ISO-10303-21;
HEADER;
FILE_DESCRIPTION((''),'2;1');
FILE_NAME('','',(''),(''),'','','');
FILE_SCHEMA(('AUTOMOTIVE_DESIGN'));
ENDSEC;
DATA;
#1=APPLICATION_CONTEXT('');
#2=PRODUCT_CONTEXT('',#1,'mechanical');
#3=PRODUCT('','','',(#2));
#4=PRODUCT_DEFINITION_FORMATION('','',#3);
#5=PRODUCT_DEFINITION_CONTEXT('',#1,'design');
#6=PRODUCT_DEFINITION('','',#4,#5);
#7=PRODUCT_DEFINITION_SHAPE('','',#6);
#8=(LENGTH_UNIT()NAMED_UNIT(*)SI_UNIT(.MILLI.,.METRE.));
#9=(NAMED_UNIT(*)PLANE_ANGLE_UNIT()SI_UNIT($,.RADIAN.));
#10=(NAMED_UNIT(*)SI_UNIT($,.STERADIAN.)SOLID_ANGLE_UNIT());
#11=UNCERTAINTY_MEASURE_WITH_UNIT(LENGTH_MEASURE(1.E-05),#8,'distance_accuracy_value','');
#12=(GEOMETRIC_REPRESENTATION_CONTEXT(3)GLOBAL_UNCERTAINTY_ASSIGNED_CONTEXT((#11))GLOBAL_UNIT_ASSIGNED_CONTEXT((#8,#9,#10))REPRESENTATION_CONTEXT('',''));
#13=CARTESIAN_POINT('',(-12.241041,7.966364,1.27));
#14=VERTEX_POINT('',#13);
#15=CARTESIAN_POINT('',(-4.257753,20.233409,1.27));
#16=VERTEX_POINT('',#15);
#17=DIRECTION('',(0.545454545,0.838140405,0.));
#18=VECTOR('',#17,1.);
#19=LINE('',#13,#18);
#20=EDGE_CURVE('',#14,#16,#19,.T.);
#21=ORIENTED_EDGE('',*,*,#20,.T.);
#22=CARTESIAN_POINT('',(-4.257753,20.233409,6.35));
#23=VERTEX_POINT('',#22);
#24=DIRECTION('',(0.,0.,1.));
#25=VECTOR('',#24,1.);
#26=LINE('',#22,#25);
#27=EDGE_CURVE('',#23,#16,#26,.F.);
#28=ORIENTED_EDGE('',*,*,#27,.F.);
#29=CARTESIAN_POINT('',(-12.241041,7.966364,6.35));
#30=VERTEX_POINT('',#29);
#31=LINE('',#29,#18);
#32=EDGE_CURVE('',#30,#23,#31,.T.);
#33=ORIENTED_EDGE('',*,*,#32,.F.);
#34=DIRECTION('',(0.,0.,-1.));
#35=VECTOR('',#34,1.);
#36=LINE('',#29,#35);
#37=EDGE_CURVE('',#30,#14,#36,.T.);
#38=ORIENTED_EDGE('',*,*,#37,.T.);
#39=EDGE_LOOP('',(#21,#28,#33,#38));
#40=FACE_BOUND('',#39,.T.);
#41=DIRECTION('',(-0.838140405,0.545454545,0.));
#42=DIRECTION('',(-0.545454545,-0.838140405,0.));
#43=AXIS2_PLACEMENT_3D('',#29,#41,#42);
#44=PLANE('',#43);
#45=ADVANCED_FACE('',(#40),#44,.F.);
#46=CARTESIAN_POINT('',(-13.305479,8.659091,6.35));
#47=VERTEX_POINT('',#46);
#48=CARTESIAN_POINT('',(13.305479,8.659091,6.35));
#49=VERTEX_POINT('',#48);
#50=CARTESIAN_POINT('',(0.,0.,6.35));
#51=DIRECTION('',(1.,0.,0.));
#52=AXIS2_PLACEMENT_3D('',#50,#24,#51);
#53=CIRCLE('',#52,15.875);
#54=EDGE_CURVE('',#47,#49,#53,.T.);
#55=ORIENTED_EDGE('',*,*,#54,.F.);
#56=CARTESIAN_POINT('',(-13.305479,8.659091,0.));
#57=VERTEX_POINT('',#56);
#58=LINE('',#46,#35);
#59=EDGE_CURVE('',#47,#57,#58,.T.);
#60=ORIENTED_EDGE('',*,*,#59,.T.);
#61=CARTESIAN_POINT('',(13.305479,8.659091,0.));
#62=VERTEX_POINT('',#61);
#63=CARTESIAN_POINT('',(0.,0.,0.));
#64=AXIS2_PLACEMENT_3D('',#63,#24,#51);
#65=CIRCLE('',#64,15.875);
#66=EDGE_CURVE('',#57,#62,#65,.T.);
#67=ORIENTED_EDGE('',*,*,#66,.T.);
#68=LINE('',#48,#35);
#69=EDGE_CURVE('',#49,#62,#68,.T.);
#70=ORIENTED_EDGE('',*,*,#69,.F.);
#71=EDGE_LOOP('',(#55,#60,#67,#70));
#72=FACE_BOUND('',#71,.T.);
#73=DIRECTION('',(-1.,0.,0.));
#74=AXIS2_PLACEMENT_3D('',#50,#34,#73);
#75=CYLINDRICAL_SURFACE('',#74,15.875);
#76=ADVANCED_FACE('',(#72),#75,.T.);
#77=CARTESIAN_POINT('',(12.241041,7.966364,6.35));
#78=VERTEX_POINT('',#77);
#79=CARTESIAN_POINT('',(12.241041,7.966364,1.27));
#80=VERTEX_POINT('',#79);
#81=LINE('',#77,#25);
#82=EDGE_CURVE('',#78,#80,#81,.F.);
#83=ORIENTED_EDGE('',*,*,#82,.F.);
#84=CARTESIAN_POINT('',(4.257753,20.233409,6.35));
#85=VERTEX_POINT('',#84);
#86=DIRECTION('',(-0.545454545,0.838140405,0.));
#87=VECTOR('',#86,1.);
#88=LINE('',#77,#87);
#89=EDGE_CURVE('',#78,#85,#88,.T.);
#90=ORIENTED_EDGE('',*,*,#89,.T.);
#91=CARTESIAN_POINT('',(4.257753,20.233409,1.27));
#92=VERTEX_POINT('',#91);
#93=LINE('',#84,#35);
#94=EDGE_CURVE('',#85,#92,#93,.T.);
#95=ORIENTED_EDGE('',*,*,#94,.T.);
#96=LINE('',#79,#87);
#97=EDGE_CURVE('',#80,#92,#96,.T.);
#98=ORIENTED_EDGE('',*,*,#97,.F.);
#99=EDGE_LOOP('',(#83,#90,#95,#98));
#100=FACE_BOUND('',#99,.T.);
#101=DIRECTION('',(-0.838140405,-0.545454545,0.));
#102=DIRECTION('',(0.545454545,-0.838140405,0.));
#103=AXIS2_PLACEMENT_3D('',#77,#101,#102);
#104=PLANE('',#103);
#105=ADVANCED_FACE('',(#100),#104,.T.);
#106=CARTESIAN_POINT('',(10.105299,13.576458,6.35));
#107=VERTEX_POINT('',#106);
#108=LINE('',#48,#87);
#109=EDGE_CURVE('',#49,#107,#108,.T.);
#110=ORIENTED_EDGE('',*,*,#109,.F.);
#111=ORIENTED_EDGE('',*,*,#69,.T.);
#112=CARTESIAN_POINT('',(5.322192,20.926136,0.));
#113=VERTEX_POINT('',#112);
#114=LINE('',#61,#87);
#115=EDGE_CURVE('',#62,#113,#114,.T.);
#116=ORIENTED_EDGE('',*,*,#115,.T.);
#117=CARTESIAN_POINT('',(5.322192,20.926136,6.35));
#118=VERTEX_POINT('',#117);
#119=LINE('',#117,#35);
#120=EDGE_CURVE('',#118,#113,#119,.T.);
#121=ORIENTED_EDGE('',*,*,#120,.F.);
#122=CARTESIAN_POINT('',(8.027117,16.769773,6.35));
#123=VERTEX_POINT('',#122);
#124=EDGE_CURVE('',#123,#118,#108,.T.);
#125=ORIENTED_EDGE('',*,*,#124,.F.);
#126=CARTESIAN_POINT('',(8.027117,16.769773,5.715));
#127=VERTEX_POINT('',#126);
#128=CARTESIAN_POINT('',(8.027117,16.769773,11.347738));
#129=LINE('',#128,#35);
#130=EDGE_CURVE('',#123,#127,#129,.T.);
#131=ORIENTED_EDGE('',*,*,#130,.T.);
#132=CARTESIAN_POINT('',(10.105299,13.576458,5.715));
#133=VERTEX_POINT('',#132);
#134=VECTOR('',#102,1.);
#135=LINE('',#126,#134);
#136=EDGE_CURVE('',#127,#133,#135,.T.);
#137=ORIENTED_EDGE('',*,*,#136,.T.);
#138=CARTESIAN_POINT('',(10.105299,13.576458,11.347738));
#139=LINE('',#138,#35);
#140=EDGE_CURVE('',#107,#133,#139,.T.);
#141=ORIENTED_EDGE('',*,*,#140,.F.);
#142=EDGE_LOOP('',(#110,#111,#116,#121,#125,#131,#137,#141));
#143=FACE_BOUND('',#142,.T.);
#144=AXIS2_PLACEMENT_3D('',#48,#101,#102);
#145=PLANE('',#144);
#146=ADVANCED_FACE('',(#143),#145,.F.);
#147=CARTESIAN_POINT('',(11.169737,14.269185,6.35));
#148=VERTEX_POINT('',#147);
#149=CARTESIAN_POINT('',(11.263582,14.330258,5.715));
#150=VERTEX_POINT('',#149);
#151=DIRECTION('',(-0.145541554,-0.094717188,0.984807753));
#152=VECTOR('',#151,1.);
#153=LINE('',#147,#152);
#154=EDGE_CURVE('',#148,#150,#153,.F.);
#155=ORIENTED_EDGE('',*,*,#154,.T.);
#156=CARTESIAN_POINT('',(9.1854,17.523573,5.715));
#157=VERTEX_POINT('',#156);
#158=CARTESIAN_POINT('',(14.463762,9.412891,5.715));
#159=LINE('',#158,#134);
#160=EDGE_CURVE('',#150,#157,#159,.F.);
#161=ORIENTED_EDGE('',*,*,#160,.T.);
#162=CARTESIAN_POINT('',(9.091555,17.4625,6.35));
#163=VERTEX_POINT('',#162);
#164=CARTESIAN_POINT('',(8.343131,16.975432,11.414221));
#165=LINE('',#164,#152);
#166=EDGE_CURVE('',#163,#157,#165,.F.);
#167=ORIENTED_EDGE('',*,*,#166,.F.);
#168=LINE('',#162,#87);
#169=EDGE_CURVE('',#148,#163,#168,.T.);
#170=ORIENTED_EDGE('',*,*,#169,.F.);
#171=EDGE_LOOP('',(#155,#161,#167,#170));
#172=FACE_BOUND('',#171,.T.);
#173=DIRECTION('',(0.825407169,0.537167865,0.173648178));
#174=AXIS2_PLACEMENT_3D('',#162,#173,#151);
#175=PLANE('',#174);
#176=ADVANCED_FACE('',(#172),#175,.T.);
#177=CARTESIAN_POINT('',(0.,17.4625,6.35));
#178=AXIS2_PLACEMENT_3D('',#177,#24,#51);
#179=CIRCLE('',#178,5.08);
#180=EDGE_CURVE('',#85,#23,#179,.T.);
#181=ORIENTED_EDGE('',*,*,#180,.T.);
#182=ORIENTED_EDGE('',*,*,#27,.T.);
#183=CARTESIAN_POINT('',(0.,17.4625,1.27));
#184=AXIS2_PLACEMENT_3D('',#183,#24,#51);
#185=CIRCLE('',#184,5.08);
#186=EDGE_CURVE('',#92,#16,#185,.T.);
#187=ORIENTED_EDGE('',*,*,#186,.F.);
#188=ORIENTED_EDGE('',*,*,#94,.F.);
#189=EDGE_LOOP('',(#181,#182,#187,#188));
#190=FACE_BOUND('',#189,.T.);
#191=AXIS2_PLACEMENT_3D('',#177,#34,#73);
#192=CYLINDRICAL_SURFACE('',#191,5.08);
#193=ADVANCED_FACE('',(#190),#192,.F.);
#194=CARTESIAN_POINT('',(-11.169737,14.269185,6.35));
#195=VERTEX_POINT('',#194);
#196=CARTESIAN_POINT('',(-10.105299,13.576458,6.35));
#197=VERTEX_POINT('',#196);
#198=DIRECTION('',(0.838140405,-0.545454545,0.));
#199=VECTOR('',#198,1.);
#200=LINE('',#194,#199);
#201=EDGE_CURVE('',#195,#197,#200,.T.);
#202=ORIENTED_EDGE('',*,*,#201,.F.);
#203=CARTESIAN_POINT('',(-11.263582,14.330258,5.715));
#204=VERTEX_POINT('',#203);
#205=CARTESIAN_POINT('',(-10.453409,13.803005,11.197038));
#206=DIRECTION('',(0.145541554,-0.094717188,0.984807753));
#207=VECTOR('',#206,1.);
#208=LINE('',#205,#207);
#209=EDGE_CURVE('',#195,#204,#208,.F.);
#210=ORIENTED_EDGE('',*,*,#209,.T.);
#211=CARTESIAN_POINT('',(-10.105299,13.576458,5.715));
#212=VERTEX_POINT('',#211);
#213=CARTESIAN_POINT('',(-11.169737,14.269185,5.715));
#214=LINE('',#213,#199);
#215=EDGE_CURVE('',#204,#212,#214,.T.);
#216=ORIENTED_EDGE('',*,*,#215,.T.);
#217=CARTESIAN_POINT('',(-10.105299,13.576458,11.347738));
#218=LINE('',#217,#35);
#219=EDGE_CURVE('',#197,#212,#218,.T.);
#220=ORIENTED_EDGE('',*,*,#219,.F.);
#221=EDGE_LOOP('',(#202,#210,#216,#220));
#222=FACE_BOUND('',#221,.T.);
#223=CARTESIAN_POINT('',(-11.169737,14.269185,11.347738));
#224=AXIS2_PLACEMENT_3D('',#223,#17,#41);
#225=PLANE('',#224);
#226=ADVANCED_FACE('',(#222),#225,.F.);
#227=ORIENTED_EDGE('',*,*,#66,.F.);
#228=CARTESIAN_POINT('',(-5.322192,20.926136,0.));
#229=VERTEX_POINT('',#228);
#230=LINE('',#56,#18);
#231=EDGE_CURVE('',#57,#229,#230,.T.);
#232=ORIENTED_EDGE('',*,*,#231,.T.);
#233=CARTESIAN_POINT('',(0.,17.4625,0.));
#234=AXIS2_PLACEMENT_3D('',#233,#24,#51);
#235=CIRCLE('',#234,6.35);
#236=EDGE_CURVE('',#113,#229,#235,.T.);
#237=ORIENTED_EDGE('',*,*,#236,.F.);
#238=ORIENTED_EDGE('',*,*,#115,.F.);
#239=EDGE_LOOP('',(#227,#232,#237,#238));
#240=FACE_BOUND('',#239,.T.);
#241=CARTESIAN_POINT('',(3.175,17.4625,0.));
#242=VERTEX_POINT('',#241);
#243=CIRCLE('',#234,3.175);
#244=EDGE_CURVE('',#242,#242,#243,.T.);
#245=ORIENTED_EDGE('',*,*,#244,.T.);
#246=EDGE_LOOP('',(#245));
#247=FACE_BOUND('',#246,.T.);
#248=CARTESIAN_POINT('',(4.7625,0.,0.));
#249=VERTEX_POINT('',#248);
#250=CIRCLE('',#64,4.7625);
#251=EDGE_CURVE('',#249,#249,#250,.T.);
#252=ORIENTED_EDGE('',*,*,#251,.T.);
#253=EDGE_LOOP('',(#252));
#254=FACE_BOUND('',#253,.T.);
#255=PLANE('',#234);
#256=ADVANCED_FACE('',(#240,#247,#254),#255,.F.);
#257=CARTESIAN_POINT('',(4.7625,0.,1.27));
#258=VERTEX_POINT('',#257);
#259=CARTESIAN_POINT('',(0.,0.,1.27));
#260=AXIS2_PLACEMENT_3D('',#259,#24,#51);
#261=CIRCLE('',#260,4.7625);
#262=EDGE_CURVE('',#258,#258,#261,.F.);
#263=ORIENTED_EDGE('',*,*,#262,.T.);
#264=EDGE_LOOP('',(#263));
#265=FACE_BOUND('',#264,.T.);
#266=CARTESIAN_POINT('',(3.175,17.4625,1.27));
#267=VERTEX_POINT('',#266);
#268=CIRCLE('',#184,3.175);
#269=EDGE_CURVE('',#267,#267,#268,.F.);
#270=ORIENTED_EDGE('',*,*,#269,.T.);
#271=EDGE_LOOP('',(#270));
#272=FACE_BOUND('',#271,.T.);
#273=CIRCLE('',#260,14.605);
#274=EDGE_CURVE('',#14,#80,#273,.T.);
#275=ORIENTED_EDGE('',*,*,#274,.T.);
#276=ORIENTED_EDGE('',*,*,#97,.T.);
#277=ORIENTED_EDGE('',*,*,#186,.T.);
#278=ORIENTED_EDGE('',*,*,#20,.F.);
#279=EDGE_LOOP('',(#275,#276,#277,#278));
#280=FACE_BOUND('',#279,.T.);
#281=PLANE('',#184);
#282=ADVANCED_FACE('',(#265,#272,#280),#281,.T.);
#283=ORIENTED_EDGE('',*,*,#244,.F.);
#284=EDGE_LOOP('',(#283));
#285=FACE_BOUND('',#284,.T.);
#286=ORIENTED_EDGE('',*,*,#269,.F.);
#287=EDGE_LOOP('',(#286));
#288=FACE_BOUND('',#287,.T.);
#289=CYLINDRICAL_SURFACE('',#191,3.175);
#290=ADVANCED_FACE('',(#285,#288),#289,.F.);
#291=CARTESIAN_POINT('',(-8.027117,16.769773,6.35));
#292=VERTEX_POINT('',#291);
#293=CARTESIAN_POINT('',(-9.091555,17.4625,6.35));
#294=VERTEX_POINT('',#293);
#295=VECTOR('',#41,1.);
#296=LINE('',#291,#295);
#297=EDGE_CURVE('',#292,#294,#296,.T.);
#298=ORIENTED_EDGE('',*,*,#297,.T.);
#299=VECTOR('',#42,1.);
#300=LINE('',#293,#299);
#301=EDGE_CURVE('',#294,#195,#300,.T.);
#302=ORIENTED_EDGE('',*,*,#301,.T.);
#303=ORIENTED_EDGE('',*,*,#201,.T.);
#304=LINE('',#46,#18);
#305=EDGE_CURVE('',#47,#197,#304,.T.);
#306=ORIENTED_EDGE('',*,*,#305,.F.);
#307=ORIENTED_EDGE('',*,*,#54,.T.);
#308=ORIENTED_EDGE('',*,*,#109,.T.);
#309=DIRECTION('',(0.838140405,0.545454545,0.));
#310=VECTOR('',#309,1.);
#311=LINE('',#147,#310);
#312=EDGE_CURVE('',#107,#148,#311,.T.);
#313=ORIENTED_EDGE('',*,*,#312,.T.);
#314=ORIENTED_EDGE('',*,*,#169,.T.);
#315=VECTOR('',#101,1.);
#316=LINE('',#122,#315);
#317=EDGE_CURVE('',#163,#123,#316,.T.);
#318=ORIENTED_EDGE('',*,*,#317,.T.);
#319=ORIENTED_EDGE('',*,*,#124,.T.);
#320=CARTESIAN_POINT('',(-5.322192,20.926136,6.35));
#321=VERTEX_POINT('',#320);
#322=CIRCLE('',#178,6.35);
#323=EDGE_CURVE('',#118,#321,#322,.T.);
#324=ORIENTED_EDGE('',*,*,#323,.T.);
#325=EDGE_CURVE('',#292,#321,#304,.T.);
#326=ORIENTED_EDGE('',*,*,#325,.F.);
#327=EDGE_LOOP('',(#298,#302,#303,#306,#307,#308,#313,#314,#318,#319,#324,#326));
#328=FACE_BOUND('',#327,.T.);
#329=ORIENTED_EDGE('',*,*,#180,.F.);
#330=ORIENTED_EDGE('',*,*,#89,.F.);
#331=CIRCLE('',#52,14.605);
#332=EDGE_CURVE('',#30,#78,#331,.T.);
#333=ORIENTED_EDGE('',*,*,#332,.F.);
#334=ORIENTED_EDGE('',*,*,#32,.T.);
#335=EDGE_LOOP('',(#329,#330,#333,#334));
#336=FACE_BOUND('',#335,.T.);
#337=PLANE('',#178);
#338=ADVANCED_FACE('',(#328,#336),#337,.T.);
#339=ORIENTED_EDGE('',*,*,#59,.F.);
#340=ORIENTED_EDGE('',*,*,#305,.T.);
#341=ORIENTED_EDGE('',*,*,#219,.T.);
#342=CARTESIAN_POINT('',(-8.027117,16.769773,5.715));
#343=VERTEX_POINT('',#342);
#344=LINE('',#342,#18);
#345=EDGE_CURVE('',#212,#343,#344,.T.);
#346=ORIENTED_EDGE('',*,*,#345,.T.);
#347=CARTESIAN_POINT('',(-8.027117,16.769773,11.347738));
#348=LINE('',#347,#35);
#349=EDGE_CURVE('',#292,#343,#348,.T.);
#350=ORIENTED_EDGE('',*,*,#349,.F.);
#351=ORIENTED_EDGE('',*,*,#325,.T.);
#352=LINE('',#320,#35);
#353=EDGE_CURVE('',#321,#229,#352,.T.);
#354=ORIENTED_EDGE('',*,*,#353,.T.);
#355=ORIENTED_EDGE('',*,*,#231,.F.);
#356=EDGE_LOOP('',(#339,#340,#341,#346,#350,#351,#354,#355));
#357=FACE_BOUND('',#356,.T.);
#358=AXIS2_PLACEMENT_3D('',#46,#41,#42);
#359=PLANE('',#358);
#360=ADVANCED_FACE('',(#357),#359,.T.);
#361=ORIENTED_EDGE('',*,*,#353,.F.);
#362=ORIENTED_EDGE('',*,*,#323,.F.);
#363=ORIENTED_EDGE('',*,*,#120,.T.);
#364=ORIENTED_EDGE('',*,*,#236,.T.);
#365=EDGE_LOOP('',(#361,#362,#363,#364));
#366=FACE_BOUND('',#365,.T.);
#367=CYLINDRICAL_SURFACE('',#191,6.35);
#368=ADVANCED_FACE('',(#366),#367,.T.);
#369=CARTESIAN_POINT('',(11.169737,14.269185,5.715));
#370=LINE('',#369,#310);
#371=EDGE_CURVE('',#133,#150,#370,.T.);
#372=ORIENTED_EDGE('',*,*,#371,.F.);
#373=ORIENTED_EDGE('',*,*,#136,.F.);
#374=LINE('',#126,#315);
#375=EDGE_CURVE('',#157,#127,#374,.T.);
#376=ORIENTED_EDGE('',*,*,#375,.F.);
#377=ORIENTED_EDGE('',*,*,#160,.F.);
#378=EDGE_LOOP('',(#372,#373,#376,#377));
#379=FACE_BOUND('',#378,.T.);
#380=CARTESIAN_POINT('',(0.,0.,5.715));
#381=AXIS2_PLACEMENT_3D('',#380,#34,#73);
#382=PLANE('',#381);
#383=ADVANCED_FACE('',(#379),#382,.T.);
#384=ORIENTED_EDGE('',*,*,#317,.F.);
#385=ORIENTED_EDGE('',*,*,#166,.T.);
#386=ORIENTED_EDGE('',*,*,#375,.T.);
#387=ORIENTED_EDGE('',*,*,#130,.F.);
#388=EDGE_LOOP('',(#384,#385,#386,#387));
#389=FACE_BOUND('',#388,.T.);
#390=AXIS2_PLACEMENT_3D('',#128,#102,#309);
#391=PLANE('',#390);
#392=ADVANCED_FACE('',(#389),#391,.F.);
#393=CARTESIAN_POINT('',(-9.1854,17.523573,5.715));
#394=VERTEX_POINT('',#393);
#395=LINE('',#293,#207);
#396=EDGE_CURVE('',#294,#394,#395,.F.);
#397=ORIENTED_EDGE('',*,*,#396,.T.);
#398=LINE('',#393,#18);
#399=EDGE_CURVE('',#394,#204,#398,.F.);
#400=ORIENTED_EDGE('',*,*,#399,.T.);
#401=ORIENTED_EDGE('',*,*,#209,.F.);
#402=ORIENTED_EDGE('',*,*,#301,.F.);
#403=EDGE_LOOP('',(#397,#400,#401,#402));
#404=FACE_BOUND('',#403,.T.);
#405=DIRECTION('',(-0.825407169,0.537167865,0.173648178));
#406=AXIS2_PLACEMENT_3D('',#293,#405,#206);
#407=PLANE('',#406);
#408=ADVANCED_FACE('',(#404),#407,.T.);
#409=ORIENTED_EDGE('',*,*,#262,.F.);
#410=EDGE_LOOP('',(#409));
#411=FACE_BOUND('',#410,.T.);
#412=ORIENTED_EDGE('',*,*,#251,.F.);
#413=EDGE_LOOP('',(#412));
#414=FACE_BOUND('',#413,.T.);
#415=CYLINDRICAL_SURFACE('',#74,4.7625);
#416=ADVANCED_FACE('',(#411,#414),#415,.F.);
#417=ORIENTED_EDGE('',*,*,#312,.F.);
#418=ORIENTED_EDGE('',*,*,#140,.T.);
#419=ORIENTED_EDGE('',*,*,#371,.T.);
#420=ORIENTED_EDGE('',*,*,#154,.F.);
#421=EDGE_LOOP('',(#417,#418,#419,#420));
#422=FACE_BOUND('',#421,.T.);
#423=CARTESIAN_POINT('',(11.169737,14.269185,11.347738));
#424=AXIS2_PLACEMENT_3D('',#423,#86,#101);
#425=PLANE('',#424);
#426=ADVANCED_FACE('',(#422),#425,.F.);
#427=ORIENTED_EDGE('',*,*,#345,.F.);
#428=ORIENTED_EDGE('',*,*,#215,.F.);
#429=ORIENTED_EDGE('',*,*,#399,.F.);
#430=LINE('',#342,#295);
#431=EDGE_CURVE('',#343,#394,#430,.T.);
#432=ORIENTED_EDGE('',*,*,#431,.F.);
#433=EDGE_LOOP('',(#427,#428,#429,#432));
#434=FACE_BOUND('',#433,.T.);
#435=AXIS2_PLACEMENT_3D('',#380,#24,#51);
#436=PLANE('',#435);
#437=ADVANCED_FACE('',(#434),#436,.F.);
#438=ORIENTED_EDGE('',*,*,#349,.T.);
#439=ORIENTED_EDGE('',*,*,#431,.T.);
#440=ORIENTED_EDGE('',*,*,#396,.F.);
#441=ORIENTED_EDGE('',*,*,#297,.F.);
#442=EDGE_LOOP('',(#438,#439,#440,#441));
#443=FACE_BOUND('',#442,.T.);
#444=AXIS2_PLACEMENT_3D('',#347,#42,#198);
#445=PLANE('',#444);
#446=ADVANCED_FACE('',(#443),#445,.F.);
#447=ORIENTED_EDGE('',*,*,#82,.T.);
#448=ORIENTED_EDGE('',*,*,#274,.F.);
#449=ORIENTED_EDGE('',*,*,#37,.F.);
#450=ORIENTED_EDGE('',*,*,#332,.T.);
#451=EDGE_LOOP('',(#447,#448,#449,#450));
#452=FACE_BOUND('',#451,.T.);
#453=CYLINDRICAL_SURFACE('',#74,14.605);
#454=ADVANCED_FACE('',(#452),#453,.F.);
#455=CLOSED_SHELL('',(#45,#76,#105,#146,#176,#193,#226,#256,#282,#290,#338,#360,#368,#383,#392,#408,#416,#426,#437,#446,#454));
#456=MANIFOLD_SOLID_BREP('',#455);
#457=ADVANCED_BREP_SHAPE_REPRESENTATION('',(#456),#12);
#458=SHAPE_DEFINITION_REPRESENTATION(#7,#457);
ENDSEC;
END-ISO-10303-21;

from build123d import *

# Parameters (mm, degrees)
BOSS_EXTRUDE2_DEPTH = 6.35
SHELL3_T            = -1.27
SKETCH2_7_R         = 4.7625
SKETCH2_7_R_2       = 3.175
CUT_EXTRUDE2_DEPTH  = 30.315069184
BOSS_EXTRUDE3_DEPTH = 0.635
DRAFT2_ANGLE        = 10


with BuildPart() as part:
    # Sketch2 → Boss-Extrude2 (new body)
    with BuildSketch(Plane(origin=(0, 0, 0), x_dir=(0, 1, 0), z_dir=(0, 0, 1))):
        with BuildLine():
            Line((8.659090909, -13.305478933), (20.926136364, -5.322191573))
            ThreePointArc((20.926136364, -5.322191573), (23.8125, 0), (20.926136364, 5.322191573))
            Line((20.926136364, 5.322191573), (8.659090909, 13.305478933))
            ThreePointArc((8.659090909, 13.305478933), (-15.875, 0), (8.659090909, -13.305478933))
        make_face()
    extrude(amount=BOSS_EXTRUDE2_DEPTH)

    # Shell3
    shell3_openings = [part.faces().sort_by_distance(p)[0] for p in [
        (0, 2.303090429, 6.35),
    ]]
    offset(amount=SHELL3_T, openings=shell3_openings, kind=Kind.INTERSECTION)

    # Sketch2<7> → Cut-Extrude2 (cut, through all)
    with BuildSketch(Plane(origin=(0, 0, 0), x_dir=(0, 1, 0), z_dir=(0, 0, 1))):
        with Locations(Location((0, 0, 0), (0, 0, 270))):
            Circle(SKETCH2_7_R)
        with Locations(Location((17.4625, 0, 0), (0, 0, 270))):
            Circle(SKETCH2_7_R_2)
    extrude(amount=CUT_EXTRUDE2_DEPTH, mode=Mode.SUBTRACT)

    # Sketch6 → Boss-Extrude3 (add)
    with BuildSketch(Plane(origin=(0, 0, 5.715), x_dir=(0, -1, 0), z_dir=(0, 0, 1))):
        Polygon((-16.769772727, 8.027117173), (-17.4625, 9.091555487), (-14.269185056, 11.169737305), (-13.576457783, 10.105298991), align=None)
        Polygon((-14.269185056, -11.169737305), (-13.576457783, -10.105298991), (-16.769772727, -8.027117173), (-17.4625, -9.091555487), align=None)
    extrude(amount=BOSS_EXTRUDE3_DEPTH)

    # Draft2
    draft2_faces = [part.faces().sort_by_distance(p)[0] for p in [
        (10.130646396, 15.865842528, 6.0325),
        (-10.130646396, 15.865842528, 6.0325),
    ]]
    draft(draft2_faces, Plane(origin=(0, 17.4625, 6.35), x_dir=(1, 0, 0), z_dir=(0, 0, 1)), DRAFT2_ANGLE)


solid = part.part
